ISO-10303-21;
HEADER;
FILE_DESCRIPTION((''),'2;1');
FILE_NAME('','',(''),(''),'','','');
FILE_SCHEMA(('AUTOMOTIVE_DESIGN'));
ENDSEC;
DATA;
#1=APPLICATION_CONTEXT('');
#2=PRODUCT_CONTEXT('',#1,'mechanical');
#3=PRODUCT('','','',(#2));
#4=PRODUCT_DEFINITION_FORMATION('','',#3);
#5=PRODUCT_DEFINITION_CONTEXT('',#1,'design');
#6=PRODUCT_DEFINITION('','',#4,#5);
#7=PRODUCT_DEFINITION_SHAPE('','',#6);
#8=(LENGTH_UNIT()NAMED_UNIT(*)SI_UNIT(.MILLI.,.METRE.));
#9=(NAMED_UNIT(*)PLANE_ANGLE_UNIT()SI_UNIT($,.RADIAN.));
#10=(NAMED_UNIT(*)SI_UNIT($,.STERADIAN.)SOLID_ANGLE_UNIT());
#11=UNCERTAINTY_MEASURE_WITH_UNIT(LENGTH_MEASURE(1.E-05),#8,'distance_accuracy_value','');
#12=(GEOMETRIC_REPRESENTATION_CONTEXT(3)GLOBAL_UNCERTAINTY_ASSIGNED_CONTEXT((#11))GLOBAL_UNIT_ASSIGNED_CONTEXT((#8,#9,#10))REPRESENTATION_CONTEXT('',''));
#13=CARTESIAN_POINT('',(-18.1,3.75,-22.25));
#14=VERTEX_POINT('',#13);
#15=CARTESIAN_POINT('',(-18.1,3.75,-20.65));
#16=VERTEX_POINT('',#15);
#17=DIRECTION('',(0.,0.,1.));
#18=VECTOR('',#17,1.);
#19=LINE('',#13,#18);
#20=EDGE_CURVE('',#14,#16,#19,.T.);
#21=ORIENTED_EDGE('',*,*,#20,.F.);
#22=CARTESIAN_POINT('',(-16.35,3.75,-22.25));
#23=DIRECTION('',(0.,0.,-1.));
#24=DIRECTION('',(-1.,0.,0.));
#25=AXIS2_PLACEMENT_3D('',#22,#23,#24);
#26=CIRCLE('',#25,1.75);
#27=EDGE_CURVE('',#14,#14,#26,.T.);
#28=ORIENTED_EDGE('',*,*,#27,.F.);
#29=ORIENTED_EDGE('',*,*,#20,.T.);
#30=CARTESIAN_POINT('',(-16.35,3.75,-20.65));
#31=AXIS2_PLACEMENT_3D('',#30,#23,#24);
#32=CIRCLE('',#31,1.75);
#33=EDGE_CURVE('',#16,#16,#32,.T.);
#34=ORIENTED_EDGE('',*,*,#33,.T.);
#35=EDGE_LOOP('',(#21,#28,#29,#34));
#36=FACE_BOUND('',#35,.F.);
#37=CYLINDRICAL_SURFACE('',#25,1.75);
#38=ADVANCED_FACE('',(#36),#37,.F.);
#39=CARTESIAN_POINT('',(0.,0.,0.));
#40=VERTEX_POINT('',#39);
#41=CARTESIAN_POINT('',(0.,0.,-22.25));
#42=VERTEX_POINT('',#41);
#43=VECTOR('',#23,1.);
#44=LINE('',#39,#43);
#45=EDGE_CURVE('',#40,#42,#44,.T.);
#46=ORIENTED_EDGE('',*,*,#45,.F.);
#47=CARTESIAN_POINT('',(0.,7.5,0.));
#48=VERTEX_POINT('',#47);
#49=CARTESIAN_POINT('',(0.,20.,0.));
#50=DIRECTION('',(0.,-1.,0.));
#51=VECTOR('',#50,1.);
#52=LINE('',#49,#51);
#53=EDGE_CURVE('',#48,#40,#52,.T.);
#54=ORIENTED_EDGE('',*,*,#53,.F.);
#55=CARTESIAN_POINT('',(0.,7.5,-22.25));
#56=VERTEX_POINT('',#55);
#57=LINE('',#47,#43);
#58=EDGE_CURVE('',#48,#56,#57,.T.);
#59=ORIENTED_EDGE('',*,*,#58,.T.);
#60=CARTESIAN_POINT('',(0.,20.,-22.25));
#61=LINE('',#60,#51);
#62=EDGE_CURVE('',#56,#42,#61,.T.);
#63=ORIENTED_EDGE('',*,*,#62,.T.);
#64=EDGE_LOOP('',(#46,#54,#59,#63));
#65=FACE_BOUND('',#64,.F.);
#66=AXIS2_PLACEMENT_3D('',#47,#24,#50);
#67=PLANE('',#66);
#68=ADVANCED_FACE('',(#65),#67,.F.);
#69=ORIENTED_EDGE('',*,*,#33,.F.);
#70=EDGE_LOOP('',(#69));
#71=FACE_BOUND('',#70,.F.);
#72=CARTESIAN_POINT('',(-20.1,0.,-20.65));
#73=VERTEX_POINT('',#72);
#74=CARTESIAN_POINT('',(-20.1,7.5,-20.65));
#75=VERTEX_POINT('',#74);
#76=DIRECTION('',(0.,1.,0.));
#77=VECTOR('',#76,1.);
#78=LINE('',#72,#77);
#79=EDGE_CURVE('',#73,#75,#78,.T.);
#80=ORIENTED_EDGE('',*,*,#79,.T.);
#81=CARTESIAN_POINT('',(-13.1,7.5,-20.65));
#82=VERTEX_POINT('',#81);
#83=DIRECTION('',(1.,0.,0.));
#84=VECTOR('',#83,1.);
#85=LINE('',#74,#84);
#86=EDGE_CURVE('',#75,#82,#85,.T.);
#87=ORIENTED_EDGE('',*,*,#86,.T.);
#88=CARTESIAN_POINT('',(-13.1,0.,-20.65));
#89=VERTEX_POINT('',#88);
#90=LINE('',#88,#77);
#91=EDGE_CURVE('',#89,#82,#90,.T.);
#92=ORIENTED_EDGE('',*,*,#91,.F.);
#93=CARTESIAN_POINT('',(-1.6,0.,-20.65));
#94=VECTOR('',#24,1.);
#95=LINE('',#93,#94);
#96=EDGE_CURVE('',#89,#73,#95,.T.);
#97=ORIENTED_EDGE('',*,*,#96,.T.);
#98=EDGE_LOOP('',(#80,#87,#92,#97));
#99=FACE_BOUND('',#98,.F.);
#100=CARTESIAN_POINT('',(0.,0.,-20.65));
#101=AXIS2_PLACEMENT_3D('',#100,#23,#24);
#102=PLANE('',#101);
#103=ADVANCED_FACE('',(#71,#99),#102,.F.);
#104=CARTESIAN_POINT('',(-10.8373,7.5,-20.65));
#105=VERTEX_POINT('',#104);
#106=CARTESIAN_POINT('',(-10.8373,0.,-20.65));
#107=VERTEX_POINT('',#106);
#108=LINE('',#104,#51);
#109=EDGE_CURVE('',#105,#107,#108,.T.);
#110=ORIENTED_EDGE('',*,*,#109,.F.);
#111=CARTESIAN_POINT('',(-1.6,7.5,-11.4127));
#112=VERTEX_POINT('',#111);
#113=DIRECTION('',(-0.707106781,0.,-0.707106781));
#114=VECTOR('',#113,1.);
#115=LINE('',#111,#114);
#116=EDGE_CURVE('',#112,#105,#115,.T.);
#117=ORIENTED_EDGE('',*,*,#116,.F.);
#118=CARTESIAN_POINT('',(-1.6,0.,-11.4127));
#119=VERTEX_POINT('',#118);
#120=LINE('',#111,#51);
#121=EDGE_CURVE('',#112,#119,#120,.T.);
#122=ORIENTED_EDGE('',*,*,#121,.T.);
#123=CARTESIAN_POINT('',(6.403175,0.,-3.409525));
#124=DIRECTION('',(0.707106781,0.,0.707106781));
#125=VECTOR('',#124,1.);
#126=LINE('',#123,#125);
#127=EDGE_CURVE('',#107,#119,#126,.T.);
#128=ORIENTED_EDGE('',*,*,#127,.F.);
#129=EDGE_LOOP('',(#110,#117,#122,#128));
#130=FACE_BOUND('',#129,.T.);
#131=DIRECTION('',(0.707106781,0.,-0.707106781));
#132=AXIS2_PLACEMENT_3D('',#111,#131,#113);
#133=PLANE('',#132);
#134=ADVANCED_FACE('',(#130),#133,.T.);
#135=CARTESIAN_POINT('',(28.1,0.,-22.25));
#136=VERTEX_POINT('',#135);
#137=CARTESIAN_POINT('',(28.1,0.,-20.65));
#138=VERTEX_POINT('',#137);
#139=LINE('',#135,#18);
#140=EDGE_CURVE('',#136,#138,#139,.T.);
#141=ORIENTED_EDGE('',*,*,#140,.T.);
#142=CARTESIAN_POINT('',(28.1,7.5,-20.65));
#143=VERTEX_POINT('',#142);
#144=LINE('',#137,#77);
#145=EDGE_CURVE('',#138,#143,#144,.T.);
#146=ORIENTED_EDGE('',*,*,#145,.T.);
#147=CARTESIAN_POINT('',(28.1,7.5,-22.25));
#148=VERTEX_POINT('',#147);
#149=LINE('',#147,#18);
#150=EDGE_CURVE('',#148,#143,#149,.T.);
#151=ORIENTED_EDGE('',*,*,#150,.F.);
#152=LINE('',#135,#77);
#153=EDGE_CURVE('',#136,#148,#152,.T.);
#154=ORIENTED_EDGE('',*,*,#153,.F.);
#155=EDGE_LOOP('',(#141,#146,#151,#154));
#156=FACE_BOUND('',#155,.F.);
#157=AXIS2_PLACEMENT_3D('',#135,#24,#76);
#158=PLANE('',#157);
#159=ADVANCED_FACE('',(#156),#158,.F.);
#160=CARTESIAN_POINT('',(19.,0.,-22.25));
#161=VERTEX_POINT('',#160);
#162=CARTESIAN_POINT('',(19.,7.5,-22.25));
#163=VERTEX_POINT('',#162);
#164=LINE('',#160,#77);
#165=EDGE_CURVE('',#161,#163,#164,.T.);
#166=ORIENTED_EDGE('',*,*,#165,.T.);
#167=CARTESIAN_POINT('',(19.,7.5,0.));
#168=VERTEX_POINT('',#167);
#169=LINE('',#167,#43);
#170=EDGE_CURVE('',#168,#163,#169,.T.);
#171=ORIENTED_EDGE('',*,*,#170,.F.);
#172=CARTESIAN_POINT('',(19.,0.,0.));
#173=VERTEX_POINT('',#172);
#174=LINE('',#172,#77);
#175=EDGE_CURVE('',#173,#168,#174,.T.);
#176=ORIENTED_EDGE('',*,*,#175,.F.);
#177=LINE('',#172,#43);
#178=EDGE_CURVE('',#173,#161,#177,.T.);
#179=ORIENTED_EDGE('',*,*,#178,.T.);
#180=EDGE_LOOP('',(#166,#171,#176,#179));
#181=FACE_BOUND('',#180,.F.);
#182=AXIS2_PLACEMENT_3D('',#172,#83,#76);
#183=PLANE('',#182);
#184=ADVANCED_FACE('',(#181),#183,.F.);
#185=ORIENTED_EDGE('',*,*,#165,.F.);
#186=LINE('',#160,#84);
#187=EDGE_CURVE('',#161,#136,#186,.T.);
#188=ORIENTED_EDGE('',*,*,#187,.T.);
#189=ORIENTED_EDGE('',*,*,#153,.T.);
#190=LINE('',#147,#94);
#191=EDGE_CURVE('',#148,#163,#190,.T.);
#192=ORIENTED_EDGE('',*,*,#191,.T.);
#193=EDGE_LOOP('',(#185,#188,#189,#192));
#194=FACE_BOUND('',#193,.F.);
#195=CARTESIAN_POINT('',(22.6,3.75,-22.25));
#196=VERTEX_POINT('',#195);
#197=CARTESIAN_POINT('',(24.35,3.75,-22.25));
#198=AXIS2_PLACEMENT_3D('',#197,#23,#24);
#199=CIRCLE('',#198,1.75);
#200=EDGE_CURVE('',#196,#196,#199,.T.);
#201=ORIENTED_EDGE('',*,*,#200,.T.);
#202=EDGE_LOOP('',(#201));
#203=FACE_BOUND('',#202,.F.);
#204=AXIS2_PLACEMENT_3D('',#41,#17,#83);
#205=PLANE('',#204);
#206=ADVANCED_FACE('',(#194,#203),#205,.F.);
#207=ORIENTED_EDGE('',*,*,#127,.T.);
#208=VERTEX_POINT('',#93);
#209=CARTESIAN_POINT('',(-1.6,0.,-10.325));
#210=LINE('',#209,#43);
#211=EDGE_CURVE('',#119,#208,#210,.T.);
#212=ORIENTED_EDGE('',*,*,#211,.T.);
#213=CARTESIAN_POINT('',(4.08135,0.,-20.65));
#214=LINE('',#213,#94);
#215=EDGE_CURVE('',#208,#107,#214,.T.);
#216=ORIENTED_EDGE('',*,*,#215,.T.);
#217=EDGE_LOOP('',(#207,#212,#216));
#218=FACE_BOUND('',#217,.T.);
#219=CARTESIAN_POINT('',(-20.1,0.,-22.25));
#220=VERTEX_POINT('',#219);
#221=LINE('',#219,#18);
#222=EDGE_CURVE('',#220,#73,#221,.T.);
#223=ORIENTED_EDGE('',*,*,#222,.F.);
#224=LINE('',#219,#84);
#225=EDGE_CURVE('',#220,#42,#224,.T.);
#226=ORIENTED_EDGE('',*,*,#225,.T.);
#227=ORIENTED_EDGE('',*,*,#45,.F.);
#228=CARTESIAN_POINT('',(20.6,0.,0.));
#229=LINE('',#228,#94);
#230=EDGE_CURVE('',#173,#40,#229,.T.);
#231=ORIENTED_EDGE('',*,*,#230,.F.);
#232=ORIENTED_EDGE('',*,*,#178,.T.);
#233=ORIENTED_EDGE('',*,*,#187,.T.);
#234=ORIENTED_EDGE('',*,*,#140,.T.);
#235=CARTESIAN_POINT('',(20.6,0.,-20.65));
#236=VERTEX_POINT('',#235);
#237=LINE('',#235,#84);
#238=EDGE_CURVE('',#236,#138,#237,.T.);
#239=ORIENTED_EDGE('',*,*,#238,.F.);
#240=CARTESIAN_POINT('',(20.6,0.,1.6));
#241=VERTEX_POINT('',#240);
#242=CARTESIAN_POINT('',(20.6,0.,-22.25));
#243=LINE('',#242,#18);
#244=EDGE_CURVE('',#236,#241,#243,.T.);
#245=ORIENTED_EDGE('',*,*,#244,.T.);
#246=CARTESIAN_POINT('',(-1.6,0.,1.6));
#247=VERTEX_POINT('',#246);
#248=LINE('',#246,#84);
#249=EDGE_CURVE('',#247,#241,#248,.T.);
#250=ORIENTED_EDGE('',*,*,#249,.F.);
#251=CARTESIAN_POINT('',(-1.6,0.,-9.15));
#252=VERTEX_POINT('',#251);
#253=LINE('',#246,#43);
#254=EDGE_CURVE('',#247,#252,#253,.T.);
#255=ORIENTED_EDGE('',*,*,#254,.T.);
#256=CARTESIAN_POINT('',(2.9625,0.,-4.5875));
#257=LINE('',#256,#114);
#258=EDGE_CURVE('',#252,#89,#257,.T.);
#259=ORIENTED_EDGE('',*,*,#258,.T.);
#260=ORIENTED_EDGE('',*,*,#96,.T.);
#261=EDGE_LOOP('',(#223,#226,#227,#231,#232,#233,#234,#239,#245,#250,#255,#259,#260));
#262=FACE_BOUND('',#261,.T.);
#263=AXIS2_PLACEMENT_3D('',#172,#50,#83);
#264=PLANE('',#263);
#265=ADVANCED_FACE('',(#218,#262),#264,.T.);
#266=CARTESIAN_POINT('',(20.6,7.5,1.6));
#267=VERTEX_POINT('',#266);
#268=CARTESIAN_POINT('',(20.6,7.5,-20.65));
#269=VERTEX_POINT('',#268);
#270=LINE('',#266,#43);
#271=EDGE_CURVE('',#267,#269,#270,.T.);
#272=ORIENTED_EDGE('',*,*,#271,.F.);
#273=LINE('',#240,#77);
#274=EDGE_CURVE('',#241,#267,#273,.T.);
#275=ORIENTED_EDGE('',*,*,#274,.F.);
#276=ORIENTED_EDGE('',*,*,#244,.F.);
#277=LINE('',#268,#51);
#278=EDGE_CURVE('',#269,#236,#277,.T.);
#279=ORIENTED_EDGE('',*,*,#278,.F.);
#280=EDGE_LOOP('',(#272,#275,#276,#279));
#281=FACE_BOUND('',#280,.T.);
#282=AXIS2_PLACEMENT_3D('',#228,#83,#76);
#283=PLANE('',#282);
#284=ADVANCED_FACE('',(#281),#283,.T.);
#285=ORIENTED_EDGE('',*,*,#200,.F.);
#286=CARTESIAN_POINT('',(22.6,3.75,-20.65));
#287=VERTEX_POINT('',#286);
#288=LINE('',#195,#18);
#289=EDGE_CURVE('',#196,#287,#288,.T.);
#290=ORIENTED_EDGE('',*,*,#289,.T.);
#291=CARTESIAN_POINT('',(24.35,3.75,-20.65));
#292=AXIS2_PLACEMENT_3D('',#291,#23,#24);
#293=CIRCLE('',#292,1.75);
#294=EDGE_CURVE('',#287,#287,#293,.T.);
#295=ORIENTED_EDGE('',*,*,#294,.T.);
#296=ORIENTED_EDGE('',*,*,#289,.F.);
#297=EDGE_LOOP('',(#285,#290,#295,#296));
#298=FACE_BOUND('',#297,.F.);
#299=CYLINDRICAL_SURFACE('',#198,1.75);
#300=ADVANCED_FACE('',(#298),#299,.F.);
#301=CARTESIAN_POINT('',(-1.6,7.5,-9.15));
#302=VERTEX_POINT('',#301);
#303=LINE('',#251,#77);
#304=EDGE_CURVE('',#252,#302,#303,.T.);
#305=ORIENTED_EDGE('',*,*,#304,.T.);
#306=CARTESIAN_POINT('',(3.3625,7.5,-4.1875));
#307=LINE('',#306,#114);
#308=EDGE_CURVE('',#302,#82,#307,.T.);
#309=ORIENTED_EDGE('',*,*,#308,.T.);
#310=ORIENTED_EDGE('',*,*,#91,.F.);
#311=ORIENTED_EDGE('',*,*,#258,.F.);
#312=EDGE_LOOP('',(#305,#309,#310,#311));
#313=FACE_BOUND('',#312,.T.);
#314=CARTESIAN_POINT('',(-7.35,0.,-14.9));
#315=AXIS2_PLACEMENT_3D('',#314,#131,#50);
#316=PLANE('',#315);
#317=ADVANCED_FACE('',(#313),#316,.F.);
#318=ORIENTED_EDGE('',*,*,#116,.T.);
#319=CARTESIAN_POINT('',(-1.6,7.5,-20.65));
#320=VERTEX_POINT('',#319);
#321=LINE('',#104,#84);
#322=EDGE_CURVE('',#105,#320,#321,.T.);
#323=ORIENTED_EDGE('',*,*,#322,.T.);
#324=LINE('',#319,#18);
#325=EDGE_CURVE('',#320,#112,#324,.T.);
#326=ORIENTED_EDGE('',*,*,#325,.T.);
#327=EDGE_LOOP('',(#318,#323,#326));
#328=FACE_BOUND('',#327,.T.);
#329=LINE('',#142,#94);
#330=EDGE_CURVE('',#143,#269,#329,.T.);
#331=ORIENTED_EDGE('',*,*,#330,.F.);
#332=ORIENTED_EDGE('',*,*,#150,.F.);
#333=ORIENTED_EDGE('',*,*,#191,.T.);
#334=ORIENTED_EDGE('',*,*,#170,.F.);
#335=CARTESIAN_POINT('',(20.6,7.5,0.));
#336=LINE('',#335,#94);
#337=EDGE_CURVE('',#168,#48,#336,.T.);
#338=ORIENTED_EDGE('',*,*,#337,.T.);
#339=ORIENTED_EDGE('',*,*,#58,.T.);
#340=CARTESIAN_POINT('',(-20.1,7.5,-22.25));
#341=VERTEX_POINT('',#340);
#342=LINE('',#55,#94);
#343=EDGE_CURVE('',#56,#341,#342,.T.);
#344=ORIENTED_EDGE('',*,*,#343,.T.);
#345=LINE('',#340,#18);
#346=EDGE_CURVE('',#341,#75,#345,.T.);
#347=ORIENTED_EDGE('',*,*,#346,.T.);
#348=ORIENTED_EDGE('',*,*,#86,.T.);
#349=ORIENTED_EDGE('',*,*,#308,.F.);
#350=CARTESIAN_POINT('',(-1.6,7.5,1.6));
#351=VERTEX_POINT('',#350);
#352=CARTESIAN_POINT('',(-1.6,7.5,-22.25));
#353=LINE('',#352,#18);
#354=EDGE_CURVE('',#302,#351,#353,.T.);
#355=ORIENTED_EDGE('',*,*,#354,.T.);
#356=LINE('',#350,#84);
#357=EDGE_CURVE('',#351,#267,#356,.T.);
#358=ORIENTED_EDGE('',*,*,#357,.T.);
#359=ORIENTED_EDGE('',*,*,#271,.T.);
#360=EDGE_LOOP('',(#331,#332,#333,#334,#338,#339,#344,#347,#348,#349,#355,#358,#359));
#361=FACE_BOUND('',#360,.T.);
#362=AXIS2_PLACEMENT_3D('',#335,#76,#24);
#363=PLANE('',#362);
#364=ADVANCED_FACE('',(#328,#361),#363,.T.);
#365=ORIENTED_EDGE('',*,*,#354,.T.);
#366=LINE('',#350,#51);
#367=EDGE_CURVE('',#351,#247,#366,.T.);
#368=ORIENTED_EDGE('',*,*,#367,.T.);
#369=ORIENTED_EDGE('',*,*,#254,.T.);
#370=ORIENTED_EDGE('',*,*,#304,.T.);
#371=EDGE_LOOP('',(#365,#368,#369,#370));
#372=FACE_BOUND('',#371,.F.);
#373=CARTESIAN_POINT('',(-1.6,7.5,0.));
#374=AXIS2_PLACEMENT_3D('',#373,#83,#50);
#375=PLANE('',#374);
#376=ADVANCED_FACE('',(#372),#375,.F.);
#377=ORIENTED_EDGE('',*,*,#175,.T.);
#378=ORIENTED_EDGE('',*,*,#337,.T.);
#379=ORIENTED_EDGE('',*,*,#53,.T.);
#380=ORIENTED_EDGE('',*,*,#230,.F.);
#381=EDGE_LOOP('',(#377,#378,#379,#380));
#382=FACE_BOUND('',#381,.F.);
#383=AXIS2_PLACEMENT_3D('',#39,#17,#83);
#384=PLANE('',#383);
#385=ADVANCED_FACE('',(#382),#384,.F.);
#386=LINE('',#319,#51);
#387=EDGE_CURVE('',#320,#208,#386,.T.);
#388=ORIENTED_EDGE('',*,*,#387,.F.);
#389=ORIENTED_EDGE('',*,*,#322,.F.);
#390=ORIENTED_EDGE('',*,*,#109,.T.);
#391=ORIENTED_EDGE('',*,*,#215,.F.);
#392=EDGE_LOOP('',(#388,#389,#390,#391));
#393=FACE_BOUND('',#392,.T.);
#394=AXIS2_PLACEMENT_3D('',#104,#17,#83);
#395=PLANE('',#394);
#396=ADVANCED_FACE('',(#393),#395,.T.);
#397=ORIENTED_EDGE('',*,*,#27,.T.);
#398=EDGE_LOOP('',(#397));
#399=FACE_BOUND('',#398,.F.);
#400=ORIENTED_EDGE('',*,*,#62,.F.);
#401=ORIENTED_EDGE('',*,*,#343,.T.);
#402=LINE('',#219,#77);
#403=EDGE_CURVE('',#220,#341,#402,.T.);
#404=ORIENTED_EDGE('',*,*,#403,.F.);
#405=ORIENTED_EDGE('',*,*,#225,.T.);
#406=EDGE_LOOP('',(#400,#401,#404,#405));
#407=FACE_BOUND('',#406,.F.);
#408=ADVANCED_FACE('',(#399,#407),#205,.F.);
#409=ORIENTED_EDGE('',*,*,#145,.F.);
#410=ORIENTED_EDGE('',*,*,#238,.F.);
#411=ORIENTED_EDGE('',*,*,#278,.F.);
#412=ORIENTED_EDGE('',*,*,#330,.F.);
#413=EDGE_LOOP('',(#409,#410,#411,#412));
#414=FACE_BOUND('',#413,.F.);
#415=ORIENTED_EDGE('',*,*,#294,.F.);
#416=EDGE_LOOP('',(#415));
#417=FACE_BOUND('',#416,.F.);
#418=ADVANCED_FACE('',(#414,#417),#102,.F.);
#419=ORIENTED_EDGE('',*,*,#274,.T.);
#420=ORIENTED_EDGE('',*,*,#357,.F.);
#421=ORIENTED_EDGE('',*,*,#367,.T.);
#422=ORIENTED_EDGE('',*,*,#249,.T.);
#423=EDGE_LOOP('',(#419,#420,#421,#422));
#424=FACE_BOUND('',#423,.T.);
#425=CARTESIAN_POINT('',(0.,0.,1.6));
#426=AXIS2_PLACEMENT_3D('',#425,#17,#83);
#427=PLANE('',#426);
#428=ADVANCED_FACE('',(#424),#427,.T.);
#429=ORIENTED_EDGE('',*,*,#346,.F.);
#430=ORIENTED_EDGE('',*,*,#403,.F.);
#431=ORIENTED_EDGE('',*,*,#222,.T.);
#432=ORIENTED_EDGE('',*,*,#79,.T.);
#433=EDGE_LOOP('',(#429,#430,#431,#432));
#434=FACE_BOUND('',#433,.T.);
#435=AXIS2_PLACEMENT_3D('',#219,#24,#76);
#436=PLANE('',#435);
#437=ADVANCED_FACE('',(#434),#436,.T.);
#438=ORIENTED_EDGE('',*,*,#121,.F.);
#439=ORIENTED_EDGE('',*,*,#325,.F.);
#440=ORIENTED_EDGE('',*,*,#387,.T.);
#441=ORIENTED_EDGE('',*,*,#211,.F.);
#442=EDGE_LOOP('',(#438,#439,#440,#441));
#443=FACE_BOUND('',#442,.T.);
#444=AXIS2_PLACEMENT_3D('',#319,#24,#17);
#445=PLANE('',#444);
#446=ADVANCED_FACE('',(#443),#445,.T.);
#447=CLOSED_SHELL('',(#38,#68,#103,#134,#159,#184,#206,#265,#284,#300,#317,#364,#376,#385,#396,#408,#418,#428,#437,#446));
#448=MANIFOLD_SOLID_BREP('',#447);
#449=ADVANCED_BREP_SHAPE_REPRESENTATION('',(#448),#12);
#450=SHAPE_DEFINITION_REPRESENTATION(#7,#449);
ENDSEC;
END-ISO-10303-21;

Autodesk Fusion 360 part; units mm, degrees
sketch "Sketch1" plane through (0, 0, 0) normal (0, 1, 0) x (1, 0, 0)
  line L0 (0, 0) -> (19, 0)
  line L1 (19, 0) -> (19, 22.5)
  line L2 (19, 22.5) -> (0, 22.5)
  line L3 (0, 22.5) -> (0, 0)
  dimension "d1" = 19
  dimension "d2" = 22.5
extrude "Extrude1" add sketch "Sketch1" along normal blind 20 makes body 1
sketch "Sketch2" plane through (0, 0, 0) normal (0, 0, 1) x (1, 0, 0)
  line L0 (0, 0) -> (19, 0)
  line L1 (19, 0) -> (19, 20)
  line L2 (19, 20) -> (0, 20)
  line L3 (0, 20) -> (0, 0)
  line L4 (20.6, 7.5) -> (-1.6, 7.5)
  line L5 (-1.6, 7.5) -> (-1.6, 0)
  line L6 (-1.6, 0) -> (20.6, 0)
  line L7 (20.6, 0) -> (20.6, 7.5)
  line L8 (19, 7.5) -> (19, 0)
  line L9 (0, 7.5) -> (0, 0)
  dimension "d5" = 1.6
  dimension "d6" = 1.6
  dimension "d7" = 7.5
extrude "Extrude2" add sketch "Sketch2" against normal blind 22.25 separate body contours L3 L4 L5 L6 L9 | L1 L4 L6 L7 L8 makes body 2 at (19, 2.5, -7.4167) makes body 3 at (-1.6, 5, -7.4167)
extrude "Extrude3" add sketch "Sketch2" along normal blind 1.6 separate body contours L0 L1 L3 L4 L6 L8 L9 | L3 L4 L5 L6 L9 | L1 L4 L6 L7 L8 makes body 4
combine "Combine1" operation add target body 2 tool bodies 4 3
sketch "Sketch3" plane through (0, 0, -22.25) normal (0, 0, -1) x (-1, 0, 0)
  line L0 (1.6, 0) -> (1.6, 7.5)
  line L1 (1.6, 7.5) -> (0, 7.5)
  line L2 (0, 7.5) -> (0, 0)
  line L3 (0, 0) -> (1.6, 0)
  line L4 (1.6, 0) -> (20.1, 0)
  line L5 (20.1, 0) -> (20.1, 7.5)
  line L6 (20.1, 7.5) -> (1.6, 7.5)
  line L7 (1.6, 7.5) -> (1.6, 0)
  line L8 (-20.6, 0) -> (-28.1, 0)
  line L9 (-28.1, 0) -> (-28.1, 7.5)
  line L10 (-28.1, 7.5) -> (-20.6, 7.5)
  line L11 (-20.6, 7.5) -> (-20.6, 0)
  line L12 (-19, 7.5) -> (-20.6, 7.5)
  circle A0 centre (-24.35, 3.75) radius 1.75
  circle A1 centre (16.35, 3.75) radius 1.75
  point P0 (-20.6, 0)
  dimension "d13" = 7.5
  dimension "d16" = 3.5
  dimension "d17" = 3.75
  dimension "d18" = 3.75
  dimension "d19" = 3.75
  dimension "d20" = 3.75
  dimension "d29" = 40.7
extrude "Extrude4" add sketch "Sketch3" against normal blind 1.6 contours L0 L4 L5 L6 L7 | L8 L9 L10 L11 bodies 2
chamfer "Chamfer1" distance 11.5 angle 45 1 edges at (-1.6, 3.75, -20.65) on bodies 2
sketch "Sketch6" plane through (0, 7.5, 0) normal (0, 1, 0) x (-1, 0, 0)
  line L0 (-28.1, -22.25) -> (-19, -22.25)
  line L1 (-19, -22.25) -> (-19, 0)
  line L2 (-19, 0) -> (0, 0)
  line L3 (0, 0) -> (0, -22.25)
  line L4 (0, -22.25) -> (20.1, -22.25)
  line L5 (20.1, -22.25) -> (20.1, -20.65)
  line L6 (20.1, -20.65) -> (13.1, -20.65)
  line L7 (13.1, -20.65) -> (1.6, -9.15)
  line L8 (1.6, -9.15) -> (1.6, 1.6)
  line L9 (1.6, 1.6) -> (-20.6, 1.6)
  line L10 (-20.6, 1.6) -> (-20.6, -20.65)
  line L11 (-20.6, -20.65) -> (-28.1, -20.65)
  line L12 (-28.1, -20.65) -> (-28.1, -22.25)
  line L13 (1.6, -11.4127) -> (10.8373, -20.65)
  line L14 (10.8373, -20.65) -> (1.6, -20.65)
  line L15 (1.6, -20.65) -> (1.6, -11.4127)
  dimension "d23" = 1.6
  dimension "d24" = 1.6
  dimension "d25" = 1.6
extrude "Extrude5" cut sketch "Sketch6" against normal blind 11 contours L13 L14 L15 bodies 2
hidden bodies 1
equation "d17 = ( 7.5 / 2 ) * 1 mm"
equation "d18 = ( 7.5 / 2 ) * 1 mm"
equation "d19 = ( 7.5 / 2 ) * 1 mm"
equation "d20 = ( 7.5 / 2 ) * 1 mm"
